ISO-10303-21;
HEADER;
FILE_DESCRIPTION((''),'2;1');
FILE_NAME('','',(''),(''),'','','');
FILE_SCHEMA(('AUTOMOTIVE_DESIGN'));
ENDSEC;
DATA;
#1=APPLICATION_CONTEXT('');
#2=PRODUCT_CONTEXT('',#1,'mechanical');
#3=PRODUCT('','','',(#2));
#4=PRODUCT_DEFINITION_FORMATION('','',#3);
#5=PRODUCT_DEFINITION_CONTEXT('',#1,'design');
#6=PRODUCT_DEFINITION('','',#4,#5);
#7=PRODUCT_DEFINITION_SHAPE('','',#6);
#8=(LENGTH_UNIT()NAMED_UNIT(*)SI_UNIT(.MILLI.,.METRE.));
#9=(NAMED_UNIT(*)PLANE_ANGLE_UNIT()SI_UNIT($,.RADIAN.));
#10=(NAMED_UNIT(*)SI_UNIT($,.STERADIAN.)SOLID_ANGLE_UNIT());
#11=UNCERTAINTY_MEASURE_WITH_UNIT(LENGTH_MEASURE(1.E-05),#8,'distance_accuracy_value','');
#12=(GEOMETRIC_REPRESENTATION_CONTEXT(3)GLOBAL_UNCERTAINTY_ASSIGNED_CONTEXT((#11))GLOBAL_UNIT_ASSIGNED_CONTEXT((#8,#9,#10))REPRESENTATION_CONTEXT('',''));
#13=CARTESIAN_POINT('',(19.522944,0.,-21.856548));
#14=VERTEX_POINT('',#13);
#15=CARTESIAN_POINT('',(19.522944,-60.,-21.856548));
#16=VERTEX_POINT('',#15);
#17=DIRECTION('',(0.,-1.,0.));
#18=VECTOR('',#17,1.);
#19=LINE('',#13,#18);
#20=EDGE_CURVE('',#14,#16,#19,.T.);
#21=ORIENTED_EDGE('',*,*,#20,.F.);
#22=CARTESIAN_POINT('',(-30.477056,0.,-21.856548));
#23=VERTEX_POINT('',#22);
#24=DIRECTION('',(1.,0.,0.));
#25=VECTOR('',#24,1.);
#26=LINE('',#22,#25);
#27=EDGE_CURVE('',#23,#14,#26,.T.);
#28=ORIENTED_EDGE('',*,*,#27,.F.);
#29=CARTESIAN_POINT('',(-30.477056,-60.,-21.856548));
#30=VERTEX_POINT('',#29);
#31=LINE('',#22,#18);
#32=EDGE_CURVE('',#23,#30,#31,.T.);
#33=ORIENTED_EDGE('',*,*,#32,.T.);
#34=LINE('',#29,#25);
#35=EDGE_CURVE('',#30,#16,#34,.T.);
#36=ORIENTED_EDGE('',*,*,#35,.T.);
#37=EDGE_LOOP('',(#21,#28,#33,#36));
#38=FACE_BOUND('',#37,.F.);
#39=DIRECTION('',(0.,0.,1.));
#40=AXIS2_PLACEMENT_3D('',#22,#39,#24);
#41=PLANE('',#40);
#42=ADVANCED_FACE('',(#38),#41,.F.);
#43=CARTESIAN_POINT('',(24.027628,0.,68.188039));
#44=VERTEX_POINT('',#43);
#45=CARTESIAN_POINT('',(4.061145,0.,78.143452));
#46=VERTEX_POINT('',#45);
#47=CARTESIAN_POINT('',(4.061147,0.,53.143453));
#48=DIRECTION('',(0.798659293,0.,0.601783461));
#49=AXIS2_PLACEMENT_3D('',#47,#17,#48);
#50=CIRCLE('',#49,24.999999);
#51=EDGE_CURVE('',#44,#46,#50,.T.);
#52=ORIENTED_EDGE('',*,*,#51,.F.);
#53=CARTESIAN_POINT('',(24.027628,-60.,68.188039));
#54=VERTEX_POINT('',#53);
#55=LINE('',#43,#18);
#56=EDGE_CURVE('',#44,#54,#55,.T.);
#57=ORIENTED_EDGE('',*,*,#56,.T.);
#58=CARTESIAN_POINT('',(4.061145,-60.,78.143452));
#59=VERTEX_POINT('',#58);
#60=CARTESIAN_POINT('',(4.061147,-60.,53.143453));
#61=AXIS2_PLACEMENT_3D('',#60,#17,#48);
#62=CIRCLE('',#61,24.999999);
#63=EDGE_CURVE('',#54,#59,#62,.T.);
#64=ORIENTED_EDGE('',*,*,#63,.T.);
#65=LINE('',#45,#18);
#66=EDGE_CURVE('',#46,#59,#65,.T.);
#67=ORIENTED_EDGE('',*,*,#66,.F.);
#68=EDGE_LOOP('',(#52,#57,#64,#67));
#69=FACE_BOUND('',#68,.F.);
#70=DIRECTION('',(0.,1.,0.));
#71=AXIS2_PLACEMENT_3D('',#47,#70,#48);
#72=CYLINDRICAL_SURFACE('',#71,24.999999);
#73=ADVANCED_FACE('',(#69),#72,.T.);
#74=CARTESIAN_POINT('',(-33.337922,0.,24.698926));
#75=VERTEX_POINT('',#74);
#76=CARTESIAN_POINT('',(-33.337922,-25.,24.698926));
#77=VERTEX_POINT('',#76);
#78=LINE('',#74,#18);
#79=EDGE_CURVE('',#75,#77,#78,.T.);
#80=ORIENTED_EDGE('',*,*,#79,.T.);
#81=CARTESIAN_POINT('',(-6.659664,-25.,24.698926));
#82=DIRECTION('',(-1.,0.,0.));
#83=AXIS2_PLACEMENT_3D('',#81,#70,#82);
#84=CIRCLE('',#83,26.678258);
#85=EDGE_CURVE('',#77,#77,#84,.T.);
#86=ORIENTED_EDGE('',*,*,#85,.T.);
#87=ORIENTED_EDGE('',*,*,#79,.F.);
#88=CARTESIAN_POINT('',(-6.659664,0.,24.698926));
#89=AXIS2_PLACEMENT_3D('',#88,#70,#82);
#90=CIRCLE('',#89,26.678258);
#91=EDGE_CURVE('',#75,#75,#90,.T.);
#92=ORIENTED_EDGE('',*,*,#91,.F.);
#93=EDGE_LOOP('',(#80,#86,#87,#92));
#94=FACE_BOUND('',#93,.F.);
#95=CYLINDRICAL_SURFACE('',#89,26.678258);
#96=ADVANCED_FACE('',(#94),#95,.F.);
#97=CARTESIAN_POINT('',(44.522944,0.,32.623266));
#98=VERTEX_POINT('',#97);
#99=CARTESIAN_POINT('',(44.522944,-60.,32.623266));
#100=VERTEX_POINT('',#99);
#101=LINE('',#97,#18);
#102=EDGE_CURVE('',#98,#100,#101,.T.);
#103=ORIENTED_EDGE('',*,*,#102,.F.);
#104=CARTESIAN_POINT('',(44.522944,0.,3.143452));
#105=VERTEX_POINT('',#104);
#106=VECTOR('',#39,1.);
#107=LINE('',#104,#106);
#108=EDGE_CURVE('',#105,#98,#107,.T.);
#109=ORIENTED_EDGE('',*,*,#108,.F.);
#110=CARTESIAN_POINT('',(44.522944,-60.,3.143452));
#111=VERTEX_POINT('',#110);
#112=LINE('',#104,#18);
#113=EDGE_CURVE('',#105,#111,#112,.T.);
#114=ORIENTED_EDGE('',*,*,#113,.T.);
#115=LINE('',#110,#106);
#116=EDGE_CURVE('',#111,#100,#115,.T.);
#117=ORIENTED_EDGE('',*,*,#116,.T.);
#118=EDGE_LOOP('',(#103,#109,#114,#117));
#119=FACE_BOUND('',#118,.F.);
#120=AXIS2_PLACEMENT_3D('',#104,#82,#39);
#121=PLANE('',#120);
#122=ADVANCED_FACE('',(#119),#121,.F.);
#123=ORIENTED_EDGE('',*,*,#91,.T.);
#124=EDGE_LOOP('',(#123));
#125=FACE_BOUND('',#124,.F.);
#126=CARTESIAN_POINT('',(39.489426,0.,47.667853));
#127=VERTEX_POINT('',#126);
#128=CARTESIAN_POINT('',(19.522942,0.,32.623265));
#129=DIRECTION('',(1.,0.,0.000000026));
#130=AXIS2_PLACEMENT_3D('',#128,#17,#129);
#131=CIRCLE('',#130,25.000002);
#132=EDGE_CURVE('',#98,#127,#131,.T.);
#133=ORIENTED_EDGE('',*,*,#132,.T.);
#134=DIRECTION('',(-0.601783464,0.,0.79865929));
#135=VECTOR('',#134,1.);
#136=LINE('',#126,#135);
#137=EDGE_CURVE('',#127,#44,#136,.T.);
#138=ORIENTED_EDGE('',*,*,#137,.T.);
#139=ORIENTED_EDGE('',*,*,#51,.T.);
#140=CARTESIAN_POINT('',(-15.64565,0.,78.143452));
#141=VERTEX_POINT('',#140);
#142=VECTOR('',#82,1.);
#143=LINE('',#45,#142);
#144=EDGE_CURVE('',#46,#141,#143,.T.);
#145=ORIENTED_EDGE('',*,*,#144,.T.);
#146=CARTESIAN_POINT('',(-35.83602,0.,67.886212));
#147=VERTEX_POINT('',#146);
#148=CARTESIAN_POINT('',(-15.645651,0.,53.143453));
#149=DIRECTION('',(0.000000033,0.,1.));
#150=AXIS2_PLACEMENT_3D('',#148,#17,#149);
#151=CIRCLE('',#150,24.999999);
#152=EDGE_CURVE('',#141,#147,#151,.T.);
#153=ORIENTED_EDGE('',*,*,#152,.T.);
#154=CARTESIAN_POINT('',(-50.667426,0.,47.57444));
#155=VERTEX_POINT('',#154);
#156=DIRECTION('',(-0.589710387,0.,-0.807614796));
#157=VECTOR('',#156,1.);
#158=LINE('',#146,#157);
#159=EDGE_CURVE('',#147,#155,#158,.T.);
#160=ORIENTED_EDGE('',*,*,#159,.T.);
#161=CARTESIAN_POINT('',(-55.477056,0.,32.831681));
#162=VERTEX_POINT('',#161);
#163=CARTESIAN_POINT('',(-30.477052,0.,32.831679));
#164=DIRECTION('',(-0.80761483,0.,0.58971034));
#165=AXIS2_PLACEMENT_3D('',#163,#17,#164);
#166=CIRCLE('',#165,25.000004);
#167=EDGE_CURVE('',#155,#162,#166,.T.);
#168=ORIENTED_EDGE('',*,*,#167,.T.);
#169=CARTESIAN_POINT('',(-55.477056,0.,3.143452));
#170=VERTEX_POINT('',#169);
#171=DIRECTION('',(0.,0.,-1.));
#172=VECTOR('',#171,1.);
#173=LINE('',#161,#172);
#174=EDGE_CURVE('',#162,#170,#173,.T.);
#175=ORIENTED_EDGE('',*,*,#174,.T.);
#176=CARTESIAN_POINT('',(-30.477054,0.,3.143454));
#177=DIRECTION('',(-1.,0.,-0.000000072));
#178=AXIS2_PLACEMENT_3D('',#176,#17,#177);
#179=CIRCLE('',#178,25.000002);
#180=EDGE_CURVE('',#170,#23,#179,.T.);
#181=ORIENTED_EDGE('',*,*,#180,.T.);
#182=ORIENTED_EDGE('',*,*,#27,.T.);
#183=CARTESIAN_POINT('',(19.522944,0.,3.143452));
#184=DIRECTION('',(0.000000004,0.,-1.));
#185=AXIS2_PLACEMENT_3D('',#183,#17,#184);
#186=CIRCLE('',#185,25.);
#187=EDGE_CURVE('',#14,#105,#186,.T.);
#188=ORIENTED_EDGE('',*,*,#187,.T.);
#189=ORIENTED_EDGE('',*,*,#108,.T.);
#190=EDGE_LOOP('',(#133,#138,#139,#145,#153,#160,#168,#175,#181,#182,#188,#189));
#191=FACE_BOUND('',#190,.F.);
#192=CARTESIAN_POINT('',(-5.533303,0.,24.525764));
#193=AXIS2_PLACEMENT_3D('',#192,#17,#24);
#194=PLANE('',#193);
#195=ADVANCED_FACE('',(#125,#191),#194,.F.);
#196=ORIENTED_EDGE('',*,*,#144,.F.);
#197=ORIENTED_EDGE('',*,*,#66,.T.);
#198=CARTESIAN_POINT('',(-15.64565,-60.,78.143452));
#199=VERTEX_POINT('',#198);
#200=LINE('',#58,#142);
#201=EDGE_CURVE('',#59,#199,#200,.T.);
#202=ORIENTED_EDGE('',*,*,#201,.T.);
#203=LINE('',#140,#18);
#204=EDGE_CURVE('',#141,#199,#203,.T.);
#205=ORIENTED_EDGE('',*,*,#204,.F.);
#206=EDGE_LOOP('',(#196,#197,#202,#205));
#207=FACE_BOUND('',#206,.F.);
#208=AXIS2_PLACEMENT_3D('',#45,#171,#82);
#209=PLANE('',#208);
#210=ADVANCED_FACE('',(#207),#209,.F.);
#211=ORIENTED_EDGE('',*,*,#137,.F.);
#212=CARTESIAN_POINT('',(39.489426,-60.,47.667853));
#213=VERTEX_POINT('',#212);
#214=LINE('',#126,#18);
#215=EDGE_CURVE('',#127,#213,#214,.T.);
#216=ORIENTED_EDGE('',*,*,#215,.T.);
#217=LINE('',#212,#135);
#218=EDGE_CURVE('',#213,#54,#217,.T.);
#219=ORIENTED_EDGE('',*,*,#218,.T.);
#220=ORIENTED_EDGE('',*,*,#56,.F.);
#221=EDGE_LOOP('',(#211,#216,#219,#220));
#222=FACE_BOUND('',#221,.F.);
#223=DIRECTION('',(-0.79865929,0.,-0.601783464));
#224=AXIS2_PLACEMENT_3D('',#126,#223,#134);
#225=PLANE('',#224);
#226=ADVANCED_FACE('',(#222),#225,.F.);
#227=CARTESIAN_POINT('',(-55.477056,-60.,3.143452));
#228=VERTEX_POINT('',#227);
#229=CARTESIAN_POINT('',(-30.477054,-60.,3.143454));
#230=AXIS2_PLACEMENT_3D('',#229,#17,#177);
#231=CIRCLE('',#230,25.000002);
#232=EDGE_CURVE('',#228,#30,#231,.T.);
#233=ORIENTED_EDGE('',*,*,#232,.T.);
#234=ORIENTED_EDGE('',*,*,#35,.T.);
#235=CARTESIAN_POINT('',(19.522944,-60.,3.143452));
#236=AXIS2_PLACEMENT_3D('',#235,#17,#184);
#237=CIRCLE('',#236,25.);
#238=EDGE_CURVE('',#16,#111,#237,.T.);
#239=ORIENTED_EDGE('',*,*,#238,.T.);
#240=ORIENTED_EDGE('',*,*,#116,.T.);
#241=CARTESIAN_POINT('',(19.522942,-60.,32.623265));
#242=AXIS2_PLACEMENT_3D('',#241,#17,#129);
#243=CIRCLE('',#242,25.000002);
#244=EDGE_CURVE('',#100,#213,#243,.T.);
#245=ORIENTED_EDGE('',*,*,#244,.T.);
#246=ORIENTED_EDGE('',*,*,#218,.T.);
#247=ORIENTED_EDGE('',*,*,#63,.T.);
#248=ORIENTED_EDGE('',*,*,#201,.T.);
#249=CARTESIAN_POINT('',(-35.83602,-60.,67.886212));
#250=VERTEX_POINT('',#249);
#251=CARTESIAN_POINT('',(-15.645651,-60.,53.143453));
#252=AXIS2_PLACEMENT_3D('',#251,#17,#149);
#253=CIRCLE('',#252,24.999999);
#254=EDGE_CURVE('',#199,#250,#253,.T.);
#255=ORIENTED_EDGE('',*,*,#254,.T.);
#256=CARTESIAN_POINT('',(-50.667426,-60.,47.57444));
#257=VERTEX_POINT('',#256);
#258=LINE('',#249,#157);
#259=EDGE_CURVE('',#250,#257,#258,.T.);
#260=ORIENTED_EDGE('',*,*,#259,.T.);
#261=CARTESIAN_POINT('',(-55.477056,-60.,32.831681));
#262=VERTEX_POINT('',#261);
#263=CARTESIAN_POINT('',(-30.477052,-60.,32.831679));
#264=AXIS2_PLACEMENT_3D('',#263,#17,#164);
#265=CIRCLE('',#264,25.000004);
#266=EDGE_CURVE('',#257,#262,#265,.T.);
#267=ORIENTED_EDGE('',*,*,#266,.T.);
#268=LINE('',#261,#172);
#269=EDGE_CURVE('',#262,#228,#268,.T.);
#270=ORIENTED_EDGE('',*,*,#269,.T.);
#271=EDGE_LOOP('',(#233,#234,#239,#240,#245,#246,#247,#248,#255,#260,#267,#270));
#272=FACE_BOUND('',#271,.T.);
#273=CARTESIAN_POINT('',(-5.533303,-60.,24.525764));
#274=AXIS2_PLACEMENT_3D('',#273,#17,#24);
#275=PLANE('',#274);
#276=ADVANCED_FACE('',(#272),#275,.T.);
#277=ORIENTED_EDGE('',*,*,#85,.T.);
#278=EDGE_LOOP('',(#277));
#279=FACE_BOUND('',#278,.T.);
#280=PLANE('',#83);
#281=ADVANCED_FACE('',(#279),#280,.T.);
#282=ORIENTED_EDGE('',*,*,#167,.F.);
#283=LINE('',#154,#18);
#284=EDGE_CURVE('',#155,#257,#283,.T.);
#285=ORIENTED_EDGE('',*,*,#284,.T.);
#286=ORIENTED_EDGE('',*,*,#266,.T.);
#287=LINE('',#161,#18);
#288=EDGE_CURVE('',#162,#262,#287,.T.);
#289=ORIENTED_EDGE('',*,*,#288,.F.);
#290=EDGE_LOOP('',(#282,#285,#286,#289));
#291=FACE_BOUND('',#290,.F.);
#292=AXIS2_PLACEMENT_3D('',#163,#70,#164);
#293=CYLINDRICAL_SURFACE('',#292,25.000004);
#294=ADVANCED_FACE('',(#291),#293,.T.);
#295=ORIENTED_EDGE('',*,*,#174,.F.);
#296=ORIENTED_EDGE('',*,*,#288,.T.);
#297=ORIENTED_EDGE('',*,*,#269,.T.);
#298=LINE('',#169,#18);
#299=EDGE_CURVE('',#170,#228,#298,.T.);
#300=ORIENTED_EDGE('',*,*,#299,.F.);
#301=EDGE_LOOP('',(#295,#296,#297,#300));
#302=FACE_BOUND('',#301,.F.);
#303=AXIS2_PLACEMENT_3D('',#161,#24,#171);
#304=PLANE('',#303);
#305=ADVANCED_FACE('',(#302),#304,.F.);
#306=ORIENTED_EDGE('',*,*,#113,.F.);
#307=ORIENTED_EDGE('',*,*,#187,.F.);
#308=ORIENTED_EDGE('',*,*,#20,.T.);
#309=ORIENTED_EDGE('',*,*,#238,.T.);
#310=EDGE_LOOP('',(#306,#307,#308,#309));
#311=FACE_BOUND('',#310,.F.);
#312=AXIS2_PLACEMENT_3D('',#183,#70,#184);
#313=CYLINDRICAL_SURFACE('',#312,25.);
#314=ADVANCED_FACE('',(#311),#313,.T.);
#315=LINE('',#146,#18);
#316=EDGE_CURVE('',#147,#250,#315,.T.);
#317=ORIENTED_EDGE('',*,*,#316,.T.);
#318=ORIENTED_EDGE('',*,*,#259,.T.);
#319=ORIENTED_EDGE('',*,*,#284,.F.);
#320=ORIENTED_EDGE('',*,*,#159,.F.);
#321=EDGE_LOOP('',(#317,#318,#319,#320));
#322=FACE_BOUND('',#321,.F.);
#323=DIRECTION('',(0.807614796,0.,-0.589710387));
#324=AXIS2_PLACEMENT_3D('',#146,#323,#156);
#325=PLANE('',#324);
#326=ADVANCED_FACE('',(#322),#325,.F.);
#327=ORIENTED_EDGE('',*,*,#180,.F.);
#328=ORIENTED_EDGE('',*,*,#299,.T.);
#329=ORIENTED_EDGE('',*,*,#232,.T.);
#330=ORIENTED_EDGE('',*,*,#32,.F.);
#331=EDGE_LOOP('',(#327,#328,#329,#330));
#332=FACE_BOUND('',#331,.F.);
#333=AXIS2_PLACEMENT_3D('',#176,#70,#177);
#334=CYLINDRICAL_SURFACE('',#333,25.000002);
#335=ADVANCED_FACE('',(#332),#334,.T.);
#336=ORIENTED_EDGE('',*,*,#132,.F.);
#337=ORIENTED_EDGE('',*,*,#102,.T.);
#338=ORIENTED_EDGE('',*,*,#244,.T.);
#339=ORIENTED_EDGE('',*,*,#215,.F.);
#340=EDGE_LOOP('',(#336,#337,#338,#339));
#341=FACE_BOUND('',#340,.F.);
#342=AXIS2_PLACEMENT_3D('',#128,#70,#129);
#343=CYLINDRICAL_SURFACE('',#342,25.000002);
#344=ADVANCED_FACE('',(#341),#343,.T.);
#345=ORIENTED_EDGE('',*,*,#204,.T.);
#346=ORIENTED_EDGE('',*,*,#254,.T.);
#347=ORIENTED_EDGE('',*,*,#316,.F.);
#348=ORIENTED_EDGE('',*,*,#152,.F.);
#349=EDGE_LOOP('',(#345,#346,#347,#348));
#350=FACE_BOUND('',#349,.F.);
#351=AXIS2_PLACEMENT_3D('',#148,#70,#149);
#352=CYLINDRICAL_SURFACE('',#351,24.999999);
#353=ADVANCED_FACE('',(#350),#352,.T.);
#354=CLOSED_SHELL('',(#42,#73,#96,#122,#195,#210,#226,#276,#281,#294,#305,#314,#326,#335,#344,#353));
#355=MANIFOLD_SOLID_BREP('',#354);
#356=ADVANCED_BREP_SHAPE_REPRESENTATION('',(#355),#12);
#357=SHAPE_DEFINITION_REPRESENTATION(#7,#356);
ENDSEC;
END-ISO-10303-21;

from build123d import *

# Parameters (mm, degrees)
F1_DEPTH = 60
F2_R     = 26.678258
F3_DEPTH = 25


with BuildPart() as f1:
    # F0 (on Front) → F1 (new body)
    with BuildSketch(Plane.XZ):
        with BuildLine():
            Line((4.061145, 78.143452), (-15.64565, 78.143452))
            ThreePointArc((-15.64565, 78.143452), (-26.968879, 75.432115), (-35.83602, 67.886212))
            Line((-35.83602, 67.886212), (-50.667426, 47.57444))
            ThreePointArc((-50.667426, 47.57444), (-54.244252, 40.585414), (-55.477056, 32.831681))
            Line((-55.477056, 32.831681), (-55.477056, 3.143452))
            ThreePointArc((-55.477056, 3.143452), (-48.154725, -14.534217), (-30.477056, -21.856548))
            Line((-30.477056, -21.856548), (19.522944, -21.856548))
            ThreePointArc((19.522944, -21.856548), (37.200614, -14.534217), (44.522944, 3.143452))
            Line((44.522944, 3.143452), (44.522944, 32.623266))
            ThreePointArc((44.522944, 32.623266), (43.231192, 40.555414), (39.489426, 47.667853))
            Line((39.489426, 47.667853), (24.027628, 68.188039))
            ThreePointArc((24.027628, 68.188039), (15.216533, 75.516591), (4.061145, 78.143452))
        make_face()
    extrude(amount=F1_DEPTH)

    # F2 (on face) → F3 (cut)
    with BuildSketch(Plane(origin=(0, 0, 0), x_dir=(-1, 0, 0), z_dir=(0, 1, 0))):
        with Locations((6.659664, 24.698926)):
            Circle(F2_R)
    extrude(amount=-F3_DEPTH, mode=Mode.SUBTRACT)


solid = f1.part
